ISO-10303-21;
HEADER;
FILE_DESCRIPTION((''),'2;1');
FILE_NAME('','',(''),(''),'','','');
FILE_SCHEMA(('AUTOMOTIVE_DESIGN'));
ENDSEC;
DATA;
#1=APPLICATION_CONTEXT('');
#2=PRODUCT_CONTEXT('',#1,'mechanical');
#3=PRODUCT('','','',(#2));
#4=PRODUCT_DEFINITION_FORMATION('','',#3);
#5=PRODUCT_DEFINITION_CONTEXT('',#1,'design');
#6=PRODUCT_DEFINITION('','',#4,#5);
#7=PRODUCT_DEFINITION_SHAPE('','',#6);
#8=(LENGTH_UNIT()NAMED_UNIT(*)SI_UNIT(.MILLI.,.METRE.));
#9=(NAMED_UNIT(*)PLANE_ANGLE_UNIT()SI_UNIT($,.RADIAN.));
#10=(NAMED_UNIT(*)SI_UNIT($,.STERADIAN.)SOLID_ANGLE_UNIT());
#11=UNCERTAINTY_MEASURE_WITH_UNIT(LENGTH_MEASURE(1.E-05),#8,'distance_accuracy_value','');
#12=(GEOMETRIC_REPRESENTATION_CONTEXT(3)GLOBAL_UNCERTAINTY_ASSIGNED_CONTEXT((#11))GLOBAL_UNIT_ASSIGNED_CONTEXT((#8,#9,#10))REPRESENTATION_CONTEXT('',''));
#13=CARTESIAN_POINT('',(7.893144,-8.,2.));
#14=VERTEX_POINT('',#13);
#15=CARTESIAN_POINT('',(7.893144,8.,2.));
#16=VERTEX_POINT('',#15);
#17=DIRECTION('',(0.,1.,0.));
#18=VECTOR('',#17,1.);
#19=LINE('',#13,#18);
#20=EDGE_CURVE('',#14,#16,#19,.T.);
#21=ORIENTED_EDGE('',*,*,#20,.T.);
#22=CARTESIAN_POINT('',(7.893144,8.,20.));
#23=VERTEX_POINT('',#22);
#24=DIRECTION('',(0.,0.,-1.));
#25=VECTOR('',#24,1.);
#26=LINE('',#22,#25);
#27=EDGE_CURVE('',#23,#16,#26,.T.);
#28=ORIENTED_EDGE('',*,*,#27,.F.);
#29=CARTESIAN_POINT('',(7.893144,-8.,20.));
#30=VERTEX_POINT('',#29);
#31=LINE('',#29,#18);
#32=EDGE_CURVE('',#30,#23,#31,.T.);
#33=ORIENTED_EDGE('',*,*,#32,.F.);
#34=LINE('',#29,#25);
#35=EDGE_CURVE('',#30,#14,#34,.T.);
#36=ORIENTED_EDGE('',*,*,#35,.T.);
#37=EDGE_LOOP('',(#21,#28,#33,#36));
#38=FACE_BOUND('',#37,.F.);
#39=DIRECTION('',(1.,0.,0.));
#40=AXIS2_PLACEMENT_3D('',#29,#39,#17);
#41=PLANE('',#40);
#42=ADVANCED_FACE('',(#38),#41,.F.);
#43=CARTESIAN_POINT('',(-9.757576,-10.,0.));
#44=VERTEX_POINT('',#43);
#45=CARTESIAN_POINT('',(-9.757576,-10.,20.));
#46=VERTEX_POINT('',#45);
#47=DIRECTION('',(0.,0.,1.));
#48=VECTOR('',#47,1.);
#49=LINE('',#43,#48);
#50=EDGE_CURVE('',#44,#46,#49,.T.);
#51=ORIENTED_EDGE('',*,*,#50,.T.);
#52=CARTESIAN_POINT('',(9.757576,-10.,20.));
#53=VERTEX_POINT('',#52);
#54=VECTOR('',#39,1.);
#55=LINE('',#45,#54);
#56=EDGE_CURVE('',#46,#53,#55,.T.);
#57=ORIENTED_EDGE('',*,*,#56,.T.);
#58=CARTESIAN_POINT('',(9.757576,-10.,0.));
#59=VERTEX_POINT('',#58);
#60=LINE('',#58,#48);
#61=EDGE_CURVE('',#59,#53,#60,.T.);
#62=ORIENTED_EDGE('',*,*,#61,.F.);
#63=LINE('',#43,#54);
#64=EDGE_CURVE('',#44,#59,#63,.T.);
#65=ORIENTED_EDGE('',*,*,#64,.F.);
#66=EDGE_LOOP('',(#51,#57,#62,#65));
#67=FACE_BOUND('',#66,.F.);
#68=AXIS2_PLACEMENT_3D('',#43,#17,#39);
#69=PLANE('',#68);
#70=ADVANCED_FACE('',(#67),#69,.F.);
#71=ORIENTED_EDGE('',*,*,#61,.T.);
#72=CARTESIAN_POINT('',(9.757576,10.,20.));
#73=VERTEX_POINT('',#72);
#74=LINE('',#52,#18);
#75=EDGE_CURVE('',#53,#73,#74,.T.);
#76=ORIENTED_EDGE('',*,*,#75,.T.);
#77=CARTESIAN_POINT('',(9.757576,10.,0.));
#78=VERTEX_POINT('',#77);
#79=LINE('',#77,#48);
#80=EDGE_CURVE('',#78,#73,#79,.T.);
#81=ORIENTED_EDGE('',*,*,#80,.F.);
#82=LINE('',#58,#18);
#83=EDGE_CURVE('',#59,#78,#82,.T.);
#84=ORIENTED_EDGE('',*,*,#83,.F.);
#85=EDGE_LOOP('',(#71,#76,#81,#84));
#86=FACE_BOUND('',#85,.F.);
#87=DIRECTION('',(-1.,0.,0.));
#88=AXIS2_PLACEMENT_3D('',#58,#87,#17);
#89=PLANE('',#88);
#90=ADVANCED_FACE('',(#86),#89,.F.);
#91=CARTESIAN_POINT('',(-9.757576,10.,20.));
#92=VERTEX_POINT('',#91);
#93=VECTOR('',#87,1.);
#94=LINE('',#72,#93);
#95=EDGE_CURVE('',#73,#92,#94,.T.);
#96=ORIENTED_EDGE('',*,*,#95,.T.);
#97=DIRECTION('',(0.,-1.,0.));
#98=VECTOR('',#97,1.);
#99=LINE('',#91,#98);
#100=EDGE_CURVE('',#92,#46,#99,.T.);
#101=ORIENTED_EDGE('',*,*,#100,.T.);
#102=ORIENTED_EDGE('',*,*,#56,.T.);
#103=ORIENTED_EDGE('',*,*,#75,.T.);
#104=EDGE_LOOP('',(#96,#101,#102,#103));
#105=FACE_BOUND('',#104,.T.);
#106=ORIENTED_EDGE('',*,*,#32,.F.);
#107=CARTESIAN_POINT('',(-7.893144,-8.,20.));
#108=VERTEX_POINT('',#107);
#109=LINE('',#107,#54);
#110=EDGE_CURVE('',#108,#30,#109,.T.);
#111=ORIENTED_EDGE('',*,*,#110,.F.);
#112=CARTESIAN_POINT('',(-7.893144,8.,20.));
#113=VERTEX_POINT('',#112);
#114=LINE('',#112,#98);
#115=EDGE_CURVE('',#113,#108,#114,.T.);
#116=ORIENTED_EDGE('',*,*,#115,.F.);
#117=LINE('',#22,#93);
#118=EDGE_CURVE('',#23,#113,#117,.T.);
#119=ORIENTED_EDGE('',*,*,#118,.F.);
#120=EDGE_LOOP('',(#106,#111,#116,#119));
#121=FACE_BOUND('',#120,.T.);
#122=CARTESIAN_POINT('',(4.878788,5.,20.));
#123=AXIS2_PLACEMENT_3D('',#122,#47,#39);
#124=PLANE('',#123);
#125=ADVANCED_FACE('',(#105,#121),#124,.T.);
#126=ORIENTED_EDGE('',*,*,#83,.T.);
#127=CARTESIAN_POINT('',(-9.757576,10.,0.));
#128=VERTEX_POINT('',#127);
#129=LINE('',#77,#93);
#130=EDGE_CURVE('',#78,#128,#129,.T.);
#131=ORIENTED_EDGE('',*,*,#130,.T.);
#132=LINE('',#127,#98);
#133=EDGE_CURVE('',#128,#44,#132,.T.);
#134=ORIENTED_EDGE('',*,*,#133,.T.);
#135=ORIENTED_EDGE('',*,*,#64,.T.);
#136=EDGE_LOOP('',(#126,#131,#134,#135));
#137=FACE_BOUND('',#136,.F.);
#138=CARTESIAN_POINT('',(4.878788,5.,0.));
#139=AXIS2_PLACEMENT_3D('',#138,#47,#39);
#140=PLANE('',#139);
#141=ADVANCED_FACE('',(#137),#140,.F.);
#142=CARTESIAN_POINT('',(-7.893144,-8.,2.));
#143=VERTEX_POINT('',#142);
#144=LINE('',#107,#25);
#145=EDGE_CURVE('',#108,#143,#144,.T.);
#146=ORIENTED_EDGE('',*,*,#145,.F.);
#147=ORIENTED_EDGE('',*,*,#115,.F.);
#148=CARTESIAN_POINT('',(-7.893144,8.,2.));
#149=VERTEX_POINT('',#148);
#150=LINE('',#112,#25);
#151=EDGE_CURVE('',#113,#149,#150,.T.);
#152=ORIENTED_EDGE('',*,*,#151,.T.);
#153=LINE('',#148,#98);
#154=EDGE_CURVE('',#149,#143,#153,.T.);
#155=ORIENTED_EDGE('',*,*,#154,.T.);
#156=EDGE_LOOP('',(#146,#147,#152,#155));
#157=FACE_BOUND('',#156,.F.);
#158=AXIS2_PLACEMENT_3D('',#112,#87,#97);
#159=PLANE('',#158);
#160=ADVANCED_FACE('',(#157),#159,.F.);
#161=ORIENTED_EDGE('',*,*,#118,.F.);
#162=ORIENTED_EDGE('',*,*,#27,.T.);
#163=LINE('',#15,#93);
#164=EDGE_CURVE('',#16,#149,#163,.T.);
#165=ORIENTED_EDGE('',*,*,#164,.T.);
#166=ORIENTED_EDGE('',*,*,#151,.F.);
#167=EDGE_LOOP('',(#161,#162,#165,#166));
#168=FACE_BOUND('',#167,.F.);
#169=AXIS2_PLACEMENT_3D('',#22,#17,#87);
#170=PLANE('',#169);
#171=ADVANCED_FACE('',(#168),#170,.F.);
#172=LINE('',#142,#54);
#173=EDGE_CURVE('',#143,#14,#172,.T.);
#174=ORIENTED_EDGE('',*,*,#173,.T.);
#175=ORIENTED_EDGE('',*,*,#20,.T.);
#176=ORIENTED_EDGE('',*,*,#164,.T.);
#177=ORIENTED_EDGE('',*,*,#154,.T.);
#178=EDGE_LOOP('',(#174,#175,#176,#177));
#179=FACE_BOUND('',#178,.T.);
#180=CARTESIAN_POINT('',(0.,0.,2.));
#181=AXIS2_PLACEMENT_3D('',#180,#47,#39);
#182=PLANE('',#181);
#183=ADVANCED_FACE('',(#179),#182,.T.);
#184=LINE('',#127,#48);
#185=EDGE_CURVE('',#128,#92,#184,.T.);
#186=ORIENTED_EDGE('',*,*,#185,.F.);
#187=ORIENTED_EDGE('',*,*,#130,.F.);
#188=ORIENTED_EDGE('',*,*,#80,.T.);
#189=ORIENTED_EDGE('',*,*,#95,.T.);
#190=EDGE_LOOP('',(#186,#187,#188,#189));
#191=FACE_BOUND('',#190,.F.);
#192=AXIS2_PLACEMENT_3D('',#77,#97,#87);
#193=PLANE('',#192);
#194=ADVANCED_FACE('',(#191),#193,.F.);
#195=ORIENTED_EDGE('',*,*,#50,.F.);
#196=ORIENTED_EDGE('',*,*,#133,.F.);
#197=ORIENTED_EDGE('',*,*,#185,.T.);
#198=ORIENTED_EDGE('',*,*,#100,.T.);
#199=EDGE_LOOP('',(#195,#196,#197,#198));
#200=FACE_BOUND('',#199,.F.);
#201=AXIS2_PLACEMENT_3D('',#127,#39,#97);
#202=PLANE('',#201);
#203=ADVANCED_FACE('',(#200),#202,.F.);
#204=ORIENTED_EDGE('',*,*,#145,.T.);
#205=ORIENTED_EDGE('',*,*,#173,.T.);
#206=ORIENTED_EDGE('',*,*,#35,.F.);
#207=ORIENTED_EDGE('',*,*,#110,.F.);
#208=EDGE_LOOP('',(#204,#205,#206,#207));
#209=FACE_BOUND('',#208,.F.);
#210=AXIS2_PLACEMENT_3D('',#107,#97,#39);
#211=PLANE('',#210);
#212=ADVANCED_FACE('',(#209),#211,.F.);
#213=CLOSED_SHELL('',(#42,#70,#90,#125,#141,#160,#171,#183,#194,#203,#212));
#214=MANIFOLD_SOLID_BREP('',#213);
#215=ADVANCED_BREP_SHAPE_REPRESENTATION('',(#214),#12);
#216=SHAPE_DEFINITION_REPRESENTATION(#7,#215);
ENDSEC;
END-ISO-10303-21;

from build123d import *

# Parameters (mm, degrees)
F0_W     = 9.757576
F0_H     = 10
F1_DEPTH = 20
F3_DEPTH = 18


with BuildPart() as f1:
    # F0 (on Top) → F1 (new body)
    with BuildSketch(Plane.XY):
        with Locations((4.878788, 5)):
            Rectangle(F0_W, F0_H)
        with Locations((4.878788, -5)):
            Rectangle(F0_W, F0_H)
        with Locations((-4.878788, 5)):
            Rectangle(F0_W, F0_H)
        with Locations((-4.878788, -5)):
            Rectangle(F0_W, F0_H)
    extrude(amount=F1_DEPTH)

    # F2 (on face) → F3 (cut)
    with BuildSketch(Plane.XY.offset(20)):
        Polygon((7.893144, 8), (0, 8), (-7.893144, 8), (-7.893144, 0), (-7.893144, -8), (7.893144, -8), (7.893144, 0), align=None)
    extrude(amount=-F3_DEPTH, mode=Mode.SUBTRACT)


solid = f1.part
